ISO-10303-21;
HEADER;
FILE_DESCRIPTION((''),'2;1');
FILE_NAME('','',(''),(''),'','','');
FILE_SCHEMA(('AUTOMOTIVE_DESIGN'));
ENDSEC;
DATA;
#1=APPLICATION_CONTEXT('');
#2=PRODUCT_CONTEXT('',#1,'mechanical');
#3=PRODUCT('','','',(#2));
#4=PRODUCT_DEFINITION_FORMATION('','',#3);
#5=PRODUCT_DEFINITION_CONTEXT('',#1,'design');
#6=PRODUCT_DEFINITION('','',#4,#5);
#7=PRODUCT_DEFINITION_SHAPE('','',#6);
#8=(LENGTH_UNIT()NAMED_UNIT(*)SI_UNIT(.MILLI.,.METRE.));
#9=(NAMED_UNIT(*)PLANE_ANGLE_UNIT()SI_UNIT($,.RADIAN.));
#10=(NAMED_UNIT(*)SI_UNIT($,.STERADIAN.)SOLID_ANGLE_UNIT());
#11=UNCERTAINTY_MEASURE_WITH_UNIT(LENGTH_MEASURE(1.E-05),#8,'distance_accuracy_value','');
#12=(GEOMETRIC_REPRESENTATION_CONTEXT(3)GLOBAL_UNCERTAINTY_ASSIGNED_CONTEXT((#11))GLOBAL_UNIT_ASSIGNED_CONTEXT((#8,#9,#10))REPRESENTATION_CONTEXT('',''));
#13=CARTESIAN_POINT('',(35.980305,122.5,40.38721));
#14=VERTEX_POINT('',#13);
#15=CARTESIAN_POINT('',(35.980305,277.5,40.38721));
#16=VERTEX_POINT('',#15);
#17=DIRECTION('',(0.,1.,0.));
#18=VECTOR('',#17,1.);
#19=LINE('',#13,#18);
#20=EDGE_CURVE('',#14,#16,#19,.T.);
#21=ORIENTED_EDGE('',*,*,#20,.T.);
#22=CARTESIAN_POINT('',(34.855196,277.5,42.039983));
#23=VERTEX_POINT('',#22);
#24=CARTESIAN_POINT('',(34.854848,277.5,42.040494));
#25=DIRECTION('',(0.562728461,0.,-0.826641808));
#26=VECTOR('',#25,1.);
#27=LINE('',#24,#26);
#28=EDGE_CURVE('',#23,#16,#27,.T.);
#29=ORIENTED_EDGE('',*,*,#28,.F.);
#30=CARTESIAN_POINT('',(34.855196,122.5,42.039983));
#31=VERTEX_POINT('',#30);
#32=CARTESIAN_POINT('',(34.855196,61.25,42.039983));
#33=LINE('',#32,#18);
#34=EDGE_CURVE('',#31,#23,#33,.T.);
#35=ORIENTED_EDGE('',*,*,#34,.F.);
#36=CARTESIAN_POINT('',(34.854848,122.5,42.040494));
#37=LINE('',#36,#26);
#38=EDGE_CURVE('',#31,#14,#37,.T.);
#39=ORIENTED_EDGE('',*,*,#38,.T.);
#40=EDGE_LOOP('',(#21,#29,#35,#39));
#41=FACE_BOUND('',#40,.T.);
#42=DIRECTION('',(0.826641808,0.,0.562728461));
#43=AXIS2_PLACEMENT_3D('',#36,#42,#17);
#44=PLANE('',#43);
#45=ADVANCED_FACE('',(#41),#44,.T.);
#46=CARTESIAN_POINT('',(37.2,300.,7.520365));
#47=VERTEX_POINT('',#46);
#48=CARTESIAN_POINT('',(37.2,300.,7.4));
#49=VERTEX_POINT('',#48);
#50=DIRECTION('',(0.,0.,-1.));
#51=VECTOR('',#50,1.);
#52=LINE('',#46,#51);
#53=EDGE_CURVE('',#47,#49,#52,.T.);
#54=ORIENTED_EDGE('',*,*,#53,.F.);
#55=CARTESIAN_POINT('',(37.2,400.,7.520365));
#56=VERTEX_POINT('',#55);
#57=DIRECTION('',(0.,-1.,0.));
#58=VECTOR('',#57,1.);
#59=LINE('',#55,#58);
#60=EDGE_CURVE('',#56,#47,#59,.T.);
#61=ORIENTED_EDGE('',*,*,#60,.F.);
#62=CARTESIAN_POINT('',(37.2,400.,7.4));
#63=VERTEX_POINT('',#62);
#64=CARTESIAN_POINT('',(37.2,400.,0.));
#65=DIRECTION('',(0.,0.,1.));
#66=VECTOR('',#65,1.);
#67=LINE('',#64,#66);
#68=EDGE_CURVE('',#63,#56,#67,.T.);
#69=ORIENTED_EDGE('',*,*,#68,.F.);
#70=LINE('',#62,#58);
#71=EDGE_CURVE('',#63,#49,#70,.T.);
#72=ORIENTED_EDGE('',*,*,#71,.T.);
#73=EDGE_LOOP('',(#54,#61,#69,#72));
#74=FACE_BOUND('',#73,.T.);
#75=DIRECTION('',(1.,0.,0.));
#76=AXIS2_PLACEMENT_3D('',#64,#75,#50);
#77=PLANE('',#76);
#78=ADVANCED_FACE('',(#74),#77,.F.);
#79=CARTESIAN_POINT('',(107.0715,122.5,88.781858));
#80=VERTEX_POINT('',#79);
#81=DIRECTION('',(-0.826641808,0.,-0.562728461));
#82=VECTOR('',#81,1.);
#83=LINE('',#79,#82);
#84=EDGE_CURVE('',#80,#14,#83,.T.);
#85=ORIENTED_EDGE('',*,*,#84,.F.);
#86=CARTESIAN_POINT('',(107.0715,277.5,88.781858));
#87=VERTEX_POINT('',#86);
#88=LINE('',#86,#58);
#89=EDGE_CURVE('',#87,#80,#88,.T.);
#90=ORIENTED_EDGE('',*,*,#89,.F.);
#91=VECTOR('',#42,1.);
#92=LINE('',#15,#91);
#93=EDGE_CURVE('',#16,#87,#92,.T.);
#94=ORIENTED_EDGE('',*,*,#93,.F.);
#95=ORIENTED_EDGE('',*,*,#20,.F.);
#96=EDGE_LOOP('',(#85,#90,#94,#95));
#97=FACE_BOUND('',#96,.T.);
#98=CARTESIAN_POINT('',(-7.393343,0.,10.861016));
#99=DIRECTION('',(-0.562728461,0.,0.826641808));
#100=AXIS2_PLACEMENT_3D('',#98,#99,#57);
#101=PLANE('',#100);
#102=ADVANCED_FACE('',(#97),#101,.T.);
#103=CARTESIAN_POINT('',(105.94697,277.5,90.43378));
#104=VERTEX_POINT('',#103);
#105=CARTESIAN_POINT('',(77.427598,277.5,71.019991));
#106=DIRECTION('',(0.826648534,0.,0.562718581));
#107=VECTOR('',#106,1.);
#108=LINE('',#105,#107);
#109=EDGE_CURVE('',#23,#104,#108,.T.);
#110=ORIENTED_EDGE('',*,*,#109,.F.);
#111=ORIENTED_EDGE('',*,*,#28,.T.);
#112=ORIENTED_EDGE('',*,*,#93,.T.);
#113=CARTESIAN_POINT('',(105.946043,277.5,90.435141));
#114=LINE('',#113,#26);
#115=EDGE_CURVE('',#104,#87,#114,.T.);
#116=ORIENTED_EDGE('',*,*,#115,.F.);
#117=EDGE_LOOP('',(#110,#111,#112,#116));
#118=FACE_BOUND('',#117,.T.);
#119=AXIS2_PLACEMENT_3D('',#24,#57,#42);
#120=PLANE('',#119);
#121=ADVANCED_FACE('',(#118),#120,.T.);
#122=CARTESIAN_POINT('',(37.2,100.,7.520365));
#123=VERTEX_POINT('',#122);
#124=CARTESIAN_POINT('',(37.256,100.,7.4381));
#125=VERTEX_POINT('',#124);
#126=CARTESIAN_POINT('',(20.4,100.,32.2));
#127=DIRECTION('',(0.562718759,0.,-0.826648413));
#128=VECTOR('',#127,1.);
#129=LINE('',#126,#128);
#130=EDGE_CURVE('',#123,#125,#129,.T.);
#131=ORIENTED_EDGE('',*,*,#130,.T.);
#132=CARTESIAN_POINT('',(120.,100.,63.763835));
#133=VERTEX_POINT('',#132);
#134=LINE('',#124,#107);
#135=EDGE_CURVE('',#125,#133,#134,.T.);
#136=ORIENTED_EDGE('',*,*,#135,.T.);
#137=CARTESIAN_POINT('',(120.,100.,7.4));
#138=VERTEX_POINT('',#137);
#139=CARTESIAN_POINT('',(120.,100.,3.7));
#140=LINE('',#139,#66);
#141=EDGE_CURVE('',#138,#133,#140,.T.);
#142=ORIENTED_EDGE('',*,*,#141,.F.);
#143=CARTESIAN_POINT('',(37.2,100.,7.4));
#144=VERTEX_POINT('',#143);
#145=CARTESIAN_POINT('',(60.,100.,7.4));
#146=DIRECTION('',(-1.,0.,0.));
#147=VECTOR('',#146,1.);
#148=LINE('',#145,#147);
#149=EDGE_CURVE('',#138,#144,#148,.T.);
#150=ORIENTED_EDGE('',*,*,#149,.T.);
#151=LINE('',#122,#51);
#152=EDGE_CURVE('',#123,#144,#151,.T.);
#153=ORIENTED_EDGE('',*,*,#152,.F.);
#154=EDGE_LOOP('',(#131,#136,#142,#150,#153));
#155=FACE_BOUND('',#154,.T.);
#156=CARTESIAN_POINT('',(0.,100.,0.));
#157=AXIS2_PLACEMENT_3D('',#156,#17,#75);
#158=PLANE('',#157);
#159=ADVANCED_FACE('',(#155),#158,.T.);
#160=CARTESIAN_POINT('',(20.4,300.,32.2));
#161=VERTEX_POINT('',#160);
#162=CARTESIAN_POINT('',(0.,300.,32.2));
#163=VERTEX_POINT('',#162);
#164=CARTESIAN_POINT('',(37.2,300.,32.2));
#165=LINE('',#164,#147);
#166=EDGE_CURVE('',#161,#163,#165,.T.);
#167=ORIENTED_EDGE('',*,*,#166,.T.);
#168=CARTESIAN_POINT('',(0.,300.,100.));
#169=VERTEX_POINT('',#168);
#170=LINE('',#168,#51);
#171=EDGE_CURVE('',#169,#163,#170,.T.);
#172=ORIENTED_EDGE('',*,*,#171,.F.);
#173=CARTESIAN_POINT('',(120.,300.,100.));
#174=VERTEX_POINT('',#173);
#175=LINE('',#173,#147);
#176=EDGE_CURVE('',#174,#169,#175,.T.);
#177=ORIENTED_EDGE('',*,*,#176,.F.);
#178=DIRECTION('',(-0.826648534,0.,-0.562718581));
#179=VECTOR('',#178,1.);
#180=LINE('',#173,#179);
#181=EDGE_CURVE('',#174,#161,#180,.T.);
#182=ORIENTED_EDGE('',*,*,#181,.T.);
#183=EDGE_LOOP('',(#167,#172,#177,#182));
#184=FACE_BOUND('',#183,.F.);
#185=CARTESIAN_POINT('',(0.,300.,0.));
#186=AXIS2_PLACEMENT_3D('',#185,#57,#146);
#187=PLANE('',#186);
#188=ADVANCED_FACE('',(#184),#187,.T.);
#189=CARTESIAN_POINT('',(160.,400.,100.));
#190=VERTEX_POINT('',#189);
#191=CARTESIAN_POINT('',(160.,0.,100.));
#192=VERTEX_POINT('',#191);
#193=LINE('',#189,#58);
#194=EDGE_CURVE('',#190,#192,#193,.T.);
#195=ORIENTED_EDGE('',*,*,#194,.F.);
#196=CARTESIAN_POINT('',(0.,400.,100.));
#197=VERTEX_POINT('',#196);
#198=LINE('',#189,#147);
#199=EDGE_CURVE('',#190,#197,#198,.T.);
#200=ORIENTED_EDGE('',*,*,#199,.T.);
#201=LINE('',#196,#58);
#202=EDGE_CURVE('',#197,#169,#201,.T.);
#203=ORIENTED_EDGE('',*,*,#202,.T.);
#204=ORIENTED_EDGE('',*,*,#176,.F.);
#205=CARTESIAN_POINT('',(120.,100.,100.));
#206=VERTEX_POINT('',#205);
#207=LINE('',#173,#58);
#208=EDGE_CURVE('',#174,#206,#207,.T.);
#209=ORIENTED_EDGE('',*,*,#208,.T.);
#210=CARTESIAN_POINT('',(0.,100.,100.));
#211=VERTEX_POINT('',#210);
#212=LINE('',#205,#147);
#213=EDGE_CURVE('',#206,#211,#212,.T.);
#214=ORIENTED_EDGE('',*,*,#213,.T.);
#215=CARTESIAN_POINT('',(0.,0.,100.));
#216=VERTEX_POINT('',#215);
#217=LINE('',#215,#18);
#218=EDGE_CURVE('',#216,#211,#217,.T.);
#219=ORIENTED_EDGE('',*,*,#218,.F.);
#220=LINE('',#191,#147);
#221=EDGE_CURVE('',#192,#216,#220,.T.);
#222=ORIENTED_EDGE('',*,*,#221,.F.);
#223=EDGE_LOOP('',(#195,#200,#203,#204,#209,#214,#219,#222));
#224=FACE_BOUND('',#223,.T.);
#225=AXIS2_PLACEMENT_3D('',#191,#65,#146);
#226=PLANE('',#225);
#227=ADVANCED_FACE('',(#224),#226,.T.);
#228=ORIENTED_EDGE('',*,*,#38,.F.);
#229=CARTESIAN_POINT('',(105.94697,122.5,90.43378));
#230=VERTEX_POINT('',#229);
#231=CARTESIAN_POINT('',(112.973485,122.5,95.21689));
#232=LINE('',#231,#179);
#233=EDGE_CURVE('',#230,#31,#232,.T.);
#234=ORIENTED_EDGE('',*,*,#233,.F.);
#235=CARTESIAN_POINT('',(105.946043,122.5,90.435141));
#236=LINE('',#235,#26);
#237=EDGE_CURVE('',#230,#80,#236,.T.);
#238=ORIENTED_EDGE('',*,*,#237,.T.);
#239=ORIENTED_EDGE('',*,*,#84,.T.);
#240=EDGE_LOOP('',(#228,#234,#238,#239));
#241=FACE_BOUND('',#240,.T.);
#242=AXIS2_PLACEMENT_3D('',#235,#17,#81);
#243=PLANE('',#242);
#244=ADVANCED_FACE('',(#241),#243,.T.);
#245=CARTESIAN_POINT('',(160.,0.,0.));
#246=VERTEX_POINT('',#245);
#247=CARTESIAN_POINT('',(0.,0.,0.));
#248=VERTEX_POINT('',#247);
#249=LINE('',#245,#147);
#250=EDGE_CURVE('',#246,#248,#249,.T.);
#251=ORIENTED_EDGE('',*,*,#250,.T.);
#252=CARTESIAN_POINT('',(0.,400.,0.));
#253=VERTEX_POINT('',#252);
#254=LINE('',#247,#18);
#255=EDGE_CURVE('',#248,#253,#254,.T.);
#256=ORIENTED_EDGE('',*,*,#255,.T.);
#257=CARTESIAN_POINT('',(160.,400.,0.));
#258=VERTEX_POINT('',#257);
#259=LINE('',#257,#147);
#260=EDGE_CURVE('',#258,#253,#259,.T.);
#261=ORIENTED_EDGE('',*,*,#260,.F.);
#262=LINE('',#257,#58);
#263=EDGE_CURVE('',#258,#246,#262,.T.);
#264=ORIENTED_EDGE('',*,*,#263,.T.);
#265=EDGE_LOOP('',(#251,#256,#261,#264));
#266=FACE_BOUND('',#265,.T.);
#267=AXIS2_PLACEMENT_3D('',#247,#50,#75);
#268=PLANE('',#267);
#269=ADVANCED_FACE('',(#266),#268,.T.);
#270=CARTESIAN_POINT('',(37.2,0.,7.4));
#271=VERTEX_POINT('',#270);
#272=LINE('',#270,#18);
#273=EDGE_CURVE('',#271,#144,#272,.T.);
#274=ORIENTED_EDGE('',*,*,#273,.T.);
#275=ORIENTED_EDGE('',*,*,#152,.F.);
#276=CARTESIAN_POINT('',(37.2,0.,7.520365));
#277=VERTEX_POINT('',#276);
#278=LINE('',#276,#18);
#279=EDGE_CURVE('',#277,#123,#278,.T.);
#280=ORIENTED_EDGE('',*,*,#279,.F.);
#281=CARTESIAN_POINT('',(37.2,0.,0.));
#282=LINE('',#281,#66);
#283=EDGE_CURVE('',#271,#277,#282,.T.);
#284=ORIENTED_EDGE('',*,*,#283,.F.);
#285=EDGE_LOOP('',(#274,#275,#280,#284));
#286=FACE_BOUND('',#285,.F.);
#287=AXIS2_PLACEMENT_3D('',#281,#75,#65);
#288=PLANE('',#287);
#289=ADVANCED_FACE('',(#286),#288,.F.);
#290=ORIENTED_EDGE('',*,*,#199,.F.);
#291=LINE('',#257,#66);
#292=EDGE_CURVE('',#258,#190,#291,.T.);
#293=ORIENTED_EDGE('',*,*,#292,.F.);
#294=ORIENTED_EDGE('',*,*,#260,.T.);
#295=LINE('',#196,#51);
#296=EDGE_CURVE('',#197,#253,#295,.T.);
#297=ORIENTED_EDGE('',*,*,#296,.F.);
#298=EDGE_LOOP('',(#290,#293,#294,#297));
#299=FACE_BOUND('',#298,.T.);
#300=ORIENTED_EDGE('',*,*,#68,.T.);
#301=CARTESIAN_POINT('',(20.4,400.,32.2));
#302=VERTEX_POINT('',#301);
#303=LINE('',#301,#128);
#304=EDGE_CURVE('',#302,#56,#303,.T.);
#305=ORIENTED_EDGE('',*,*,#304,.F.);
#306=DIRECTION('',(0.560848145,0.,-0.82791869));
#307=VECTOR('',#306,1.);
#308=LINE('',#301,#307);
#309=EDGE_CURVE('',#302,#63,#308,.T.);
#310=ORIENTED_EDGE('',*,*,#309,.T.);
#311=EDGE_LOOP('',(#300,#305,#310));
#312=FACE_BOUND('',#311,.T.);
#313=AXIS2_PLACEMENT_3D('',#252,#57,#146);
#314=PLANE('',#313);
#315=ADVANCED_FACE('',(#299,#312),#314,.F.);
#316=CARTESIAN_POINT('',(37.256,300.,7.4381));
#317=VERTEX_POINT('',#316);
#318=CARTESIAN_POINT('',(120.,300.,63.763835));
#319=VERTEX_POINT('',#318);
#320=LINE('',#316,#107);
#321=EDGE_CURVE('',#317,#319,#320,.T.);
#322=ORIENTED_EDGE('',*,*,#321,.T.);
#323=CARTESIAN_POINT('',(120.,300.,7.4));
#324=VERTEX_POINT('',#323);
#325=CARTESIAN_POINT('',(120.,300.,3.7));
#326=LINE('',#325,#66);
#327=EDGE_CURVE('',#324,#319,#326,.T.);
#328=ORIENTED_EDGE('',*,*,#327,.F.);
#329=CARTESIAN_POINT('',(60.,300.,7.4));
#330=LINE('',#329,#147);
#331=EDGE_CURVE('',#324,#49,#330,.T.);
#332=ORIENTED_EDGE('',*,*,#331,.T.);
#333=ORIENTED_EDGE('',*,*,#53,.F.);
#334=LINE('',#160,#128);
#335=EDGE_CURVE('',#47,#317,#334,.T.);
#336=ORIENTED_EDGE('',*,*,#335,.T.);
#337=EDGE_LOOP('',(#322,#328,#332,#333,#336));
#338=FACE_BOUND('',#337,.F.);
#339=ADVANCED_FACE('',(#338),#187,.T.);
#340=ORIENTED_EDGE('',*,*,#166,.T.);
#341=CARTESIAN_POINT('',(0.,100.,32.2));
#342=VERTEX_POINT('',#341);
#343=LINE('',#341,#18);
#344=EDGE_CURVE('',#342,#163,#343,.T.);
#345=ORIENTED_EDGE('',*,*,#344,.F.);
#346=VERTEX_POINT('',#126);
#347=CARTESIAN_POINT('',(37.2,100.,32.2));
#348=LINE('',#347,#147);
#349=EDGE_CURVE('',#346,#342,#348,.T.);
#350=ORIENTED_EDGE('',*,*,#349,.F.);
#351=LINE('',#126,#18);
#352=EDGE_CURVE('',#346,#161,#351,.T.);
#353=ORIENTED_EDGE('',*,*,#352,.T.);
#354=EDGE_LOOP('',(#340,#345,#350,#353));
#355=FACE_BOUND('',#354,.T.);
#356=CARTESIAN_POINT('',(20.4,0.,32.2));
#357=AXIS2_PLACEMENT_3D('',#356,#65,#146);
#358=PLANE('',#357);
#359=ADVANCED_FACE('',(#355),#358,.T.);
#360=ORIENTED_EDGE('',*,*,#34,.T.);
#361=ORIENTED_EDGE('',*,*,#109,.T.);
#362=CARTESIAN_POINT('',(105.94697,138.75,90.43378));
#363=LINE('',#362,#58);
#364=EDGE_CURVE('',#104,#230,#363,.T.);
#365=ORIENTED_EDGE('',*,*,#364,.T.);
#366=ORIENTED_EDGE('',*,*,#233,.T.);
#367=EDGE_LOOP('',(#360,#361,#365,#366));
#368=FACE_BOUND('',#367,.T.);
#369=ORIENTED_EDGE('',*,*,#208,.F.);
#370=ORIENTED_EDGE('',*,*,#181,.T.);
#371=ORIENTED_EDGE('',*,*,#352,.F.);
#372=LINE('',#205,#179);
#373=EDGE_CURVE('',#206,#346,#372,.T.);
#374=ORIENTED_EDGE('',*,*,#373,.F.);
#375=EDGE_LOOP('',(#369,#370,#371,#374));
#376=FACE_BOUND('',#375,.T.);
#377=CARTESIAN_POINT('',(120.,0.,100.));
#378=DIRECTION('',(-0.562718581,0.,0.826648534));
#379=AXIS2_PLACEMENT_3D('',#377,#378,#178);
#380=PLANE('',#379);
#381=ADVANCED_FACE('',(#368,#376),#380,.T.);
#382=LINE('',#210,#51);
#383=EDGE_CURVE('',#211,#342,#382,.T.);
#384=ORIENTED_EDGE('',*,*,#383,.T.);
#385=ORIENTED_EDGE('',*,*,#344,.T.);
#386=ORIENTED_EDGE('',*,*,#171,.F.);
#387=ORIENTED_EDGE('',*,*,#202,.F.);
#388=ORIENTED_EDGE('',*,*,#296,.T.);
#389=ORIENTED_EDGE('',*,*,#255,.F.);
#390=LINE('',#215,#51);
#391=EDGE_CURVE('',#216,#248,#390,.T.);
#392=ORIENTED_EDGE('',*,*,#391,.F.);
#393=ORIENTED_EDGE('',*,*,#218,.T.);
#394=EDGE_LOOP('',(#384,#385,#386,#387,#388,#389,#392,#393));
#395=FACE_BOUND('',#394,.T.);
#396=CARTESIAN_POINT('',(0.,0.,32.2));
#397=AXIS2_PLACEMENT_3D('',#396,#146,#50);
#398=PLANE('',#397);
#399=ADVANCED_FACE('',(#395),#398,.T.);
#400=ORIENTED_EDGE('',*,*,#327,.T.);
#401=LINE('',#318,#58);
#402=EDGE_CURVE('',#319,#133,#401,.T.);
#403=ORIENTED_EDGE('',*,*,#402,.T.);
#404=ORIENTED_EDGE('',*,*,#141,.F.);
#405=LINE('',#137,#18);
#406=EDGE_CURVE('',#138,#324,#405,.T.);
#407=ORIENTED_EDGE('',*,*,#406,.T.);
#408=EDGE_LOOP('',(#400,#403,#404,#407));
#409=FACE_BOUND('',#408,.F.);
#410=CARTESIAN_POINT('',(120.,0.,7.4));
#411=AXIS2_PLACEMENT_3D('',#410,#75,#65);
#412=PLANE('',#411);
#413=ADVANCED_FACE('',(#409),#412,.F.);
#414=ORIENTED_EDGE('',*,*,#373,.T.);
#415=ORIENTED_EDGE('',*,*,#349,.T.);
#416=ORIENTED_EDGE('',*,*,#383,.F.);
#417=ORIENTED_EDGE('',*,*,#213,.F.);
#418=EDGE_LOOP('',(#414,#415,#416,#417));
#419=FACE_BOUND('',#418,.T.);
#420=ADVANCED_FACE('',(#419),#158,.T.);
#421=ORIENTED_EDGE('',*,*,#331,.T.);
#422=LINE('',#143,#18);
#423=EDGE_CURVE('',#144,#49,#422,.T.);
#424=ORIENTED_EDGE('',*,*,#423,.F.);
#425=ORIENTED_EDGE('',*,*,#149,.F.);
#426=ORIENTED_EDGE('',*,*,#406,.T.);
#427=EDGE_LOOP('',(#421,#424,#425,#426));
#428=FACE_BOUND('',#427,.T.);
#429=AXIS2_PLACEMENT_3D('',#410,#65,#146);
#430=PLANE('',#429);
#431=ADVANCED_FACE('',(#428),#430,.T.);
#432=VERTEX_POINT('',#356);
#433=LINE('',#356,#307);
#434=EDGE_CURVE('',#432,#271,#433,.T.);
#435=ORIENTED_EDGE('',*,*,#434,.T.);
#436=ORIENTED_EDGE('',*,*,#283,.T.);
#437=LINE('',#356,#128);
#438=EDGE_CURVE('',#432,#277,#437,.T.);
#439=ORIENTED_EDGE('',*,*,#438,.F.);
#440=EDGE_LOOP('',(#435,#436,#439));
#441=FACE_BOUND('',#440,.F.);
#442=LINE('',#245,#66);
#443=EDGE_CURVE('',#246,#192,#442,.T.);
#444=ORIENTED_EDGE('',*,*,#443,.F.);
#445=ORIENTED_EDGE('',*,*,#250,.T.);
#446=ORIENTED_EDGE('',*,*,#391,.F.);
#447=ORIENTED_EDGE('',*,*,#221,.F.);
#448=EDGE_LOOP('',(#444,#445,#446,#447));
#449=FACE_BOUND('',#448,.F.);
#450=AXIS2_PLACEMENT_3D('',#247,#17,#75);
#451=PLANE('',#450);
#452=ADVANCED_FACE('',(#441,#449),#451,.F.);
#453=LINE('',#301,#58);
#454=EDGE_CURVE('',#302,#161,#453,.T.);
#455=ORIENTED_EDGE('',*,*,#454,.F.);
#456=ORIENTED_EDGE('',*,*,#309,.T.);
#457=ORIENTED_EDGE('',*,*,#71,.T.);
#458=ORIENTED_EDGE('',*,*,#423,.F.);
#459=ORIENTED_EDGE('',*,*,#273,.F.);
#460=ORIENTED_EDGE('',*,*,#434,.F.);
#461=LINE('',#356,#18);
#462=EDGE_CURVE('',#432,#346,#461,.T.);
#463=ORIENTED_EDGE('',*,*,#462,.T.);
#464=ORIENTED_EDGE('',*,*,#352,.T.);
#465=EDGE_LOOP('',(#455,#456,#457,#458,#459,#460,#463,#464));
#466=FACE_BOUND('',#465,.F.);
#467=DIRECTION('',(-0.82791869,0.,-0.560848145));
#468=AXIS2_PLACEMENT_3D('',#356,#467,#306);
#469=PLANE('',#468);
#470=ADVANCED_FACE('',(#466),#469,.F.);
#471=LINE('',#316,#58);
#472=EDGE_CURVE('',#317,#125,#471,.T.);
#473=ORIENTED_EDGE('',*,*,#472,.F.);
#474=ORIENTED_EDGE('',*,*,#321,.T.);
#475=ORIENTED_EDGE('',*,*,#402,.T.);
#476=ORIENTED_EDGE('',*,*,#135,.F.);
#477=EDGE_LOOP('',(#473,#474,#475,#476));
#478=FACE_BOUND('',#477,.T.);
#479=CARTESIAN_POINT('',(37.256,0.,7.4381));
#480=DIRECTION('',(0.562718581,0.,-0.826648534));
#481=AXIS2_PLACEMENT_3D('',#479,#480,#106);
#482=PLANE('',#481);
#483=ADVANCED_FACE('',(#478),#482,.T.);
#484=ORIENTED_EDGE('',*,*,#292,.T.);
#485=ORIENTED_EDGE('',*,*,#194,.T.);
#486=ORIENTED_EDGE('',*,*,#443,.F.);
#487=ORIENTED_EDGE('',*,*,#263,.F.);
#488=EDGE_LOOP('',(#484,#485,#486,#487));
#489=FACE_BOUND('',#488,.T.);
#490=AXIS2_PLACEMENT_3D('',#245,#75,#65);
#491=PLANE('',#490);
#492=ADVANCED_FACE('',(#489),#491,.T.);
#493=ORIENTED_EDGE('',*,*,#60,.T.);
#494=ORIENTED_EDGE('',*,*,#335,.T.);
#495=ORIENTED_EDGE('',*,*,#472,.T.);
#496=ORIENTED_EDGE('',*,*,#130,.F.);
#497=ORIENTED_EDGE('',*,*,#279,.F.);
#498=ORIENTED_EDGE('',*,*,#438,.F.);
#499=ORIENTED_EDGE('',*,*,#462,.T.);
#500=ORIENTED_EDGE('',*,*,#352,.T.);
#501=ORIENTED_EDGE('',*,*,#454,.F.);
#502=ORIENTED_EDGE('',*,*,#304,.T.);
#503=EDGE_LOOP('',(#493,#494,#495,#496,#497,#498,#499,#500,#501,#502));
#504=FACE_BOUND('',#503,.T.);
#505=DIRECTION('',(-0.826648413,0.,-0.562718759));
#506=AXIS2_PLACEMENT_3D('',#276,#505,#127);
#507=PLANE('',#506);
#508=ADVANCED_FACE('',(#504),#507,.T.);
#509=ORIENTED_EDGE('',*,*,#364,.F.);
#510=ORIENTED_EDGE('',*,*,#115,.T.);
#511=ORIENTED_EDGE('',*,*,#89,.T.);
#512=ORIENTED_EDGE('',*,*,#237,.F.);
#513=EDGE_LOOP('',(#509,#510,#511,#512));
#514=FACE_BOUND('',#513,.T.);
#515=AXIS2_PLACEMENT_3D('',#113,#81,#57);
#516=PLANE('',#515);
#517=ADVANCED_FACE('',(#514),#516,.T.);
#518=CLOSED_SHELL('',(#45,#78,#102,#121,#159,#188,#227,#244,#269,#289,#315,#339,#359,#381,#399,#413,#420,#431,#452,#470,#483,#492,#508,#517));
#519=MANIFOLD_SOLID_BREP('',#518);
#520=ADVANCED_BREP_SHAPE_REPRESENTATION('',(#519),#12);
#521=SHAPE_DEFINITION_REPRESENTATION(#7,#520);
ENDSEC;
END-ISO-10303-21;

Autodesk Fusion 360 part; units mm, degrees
sketch "Esquisse1" plane through (0, 0, 0) normal (0, 1, 0) x (1, 0, 0)
  line L0 (0, 0) -> (120, 0)
  line L1 (120, 0) -> (120, -100)
  line L2 (120, -100) -> (0, -100)
  line L3 (0, -100) -> (0, 0)
  line L4 (0, 0) -> (37.2, 0)
  line L5 (37.2, 0) -> (37.2, -32.2)
  line L6 (37.2, -32.2) -> (0, -32.2)
  line L7 (0, -32.2) -> (0, 0)
  line L8 (37.2, -32.2) -> (20.4, -32.2)
  line L9 (37.2, -7.4) -> (37.2, -32.2)
  line L10 (20.4, -32.2) -> (37.2, -7.4)
  line L11 (120, -100) -> (20.4, -32.2)
  line L12 (20.4, -32.2) -> (37.256, -7.4381)
  line L13 (37.256, -7.4381) -> (136.856, -75.2381)
  line L14 (136.856, -75.2381) -> (120, -100)
  line L15 (120, -100) -> (120, 0)
  line L16 (120, 0) -> (160, 0)
  line L17 (160, 0) -> (160, -100)
  line L18 (160, -100) -> (120, -100)
  line L19 (37.2, -7.4) -> (37.2, 0)
  line L20 (37.2, 0) -> (160, 0)
  line L21 (160, 0) -> (160, -7.4)
  line L22 (160, -7.4) -> (37.2, -7.4)
  line L23 (160, -7.4) -> (160, -100)
  line L24 (160, -100) -> (120, -100)
  line L25 (120, -100) -> (120, -7.4)
  line L26 (120, -7.4) -> (160, -7.4)
  dimension "d1" = 120
  dimension "d2" = 100
  dimension "d3" = 37.2
  dimension "d4" = 32.2
  dimension "d11" = 16.8
  dimension "d12" = 24.8
  dimension "d19" = 40
extrude "Extrusion3" add sketch "Esquisse1" along normal blind 200 contours L0 L3 L4 L5 L6 L7 L10 L19 | L0 L1 L5 L15 L19 L20 L22 | L1 L15 L16 L17 L20 L21 L22 L26 | L5 L6 L8 L9 L12 | L1 L5 L6 L8 L9 L11 L12 L13 L15 L25 | L1 L13 L14 L15 L17 L18 L22 L23 L24 L25 L26 | L1 L13 L14 L15 L25
extrude "Extrusion4" add sketch "Esquisse1" along normal blind 100 contours L0 L1 L5 L15 L19 L20 L22 | L2 L3 L6 L11 | L1 L15 L16 L17 L20 L21 L22 L26 | L1 L5 L9 L12 L13 L15 L22 L25 | L1 L13 L14 L15 L17 L18 L22 L23 L24 L25 L26
mirror "Symétrie miroir2" about plane through (0, 200, 0) normal (0, 1, 0) of bodies 1 merged
sketch "Esquisse3" plane through (-8.5188, 0, 12.5143) normal (-0.5627, 0, 0.8266) x (0, -1, 0)
  line L0 (-100, 34.9832) -> (-100, 155.4697)
  line L1 (-100, 155.4697) -> (-300, 155.4697)
  line L2 (-300, 155.4697) -> (-300, 34.9832)
  line L3 (-300, 34.9832) -> (-100, 34.9832)
  line L4 (-277.5, 138.4697) -> (-122.5, 138.4697)
  line L5 (-122.5, 138.4697) -> (-122.5, 52.4697)
  line L6 (-122.5, 52.4697) -> (-277.5, 52.4697)
  line L7 (-277.5, 52.4697) -> (-277.5, 138.4697)
  line L8 (-277.5, 138.4697) -> (-122.5, 52.4697) construction
  line L9 (-122.5, 138.4697) -> (-277.5, 52.4697) construction
  point P0 (-200, 95.4697)
  dimension "d22" = 155
  dimension "d23" = 86
  dimension "d24" = 22.5
  dimension "d25" = 17
extrude "Extrusion6" cut sketch "Esquisse3" against normal blind 2 contours L4 L5 L6 L7
